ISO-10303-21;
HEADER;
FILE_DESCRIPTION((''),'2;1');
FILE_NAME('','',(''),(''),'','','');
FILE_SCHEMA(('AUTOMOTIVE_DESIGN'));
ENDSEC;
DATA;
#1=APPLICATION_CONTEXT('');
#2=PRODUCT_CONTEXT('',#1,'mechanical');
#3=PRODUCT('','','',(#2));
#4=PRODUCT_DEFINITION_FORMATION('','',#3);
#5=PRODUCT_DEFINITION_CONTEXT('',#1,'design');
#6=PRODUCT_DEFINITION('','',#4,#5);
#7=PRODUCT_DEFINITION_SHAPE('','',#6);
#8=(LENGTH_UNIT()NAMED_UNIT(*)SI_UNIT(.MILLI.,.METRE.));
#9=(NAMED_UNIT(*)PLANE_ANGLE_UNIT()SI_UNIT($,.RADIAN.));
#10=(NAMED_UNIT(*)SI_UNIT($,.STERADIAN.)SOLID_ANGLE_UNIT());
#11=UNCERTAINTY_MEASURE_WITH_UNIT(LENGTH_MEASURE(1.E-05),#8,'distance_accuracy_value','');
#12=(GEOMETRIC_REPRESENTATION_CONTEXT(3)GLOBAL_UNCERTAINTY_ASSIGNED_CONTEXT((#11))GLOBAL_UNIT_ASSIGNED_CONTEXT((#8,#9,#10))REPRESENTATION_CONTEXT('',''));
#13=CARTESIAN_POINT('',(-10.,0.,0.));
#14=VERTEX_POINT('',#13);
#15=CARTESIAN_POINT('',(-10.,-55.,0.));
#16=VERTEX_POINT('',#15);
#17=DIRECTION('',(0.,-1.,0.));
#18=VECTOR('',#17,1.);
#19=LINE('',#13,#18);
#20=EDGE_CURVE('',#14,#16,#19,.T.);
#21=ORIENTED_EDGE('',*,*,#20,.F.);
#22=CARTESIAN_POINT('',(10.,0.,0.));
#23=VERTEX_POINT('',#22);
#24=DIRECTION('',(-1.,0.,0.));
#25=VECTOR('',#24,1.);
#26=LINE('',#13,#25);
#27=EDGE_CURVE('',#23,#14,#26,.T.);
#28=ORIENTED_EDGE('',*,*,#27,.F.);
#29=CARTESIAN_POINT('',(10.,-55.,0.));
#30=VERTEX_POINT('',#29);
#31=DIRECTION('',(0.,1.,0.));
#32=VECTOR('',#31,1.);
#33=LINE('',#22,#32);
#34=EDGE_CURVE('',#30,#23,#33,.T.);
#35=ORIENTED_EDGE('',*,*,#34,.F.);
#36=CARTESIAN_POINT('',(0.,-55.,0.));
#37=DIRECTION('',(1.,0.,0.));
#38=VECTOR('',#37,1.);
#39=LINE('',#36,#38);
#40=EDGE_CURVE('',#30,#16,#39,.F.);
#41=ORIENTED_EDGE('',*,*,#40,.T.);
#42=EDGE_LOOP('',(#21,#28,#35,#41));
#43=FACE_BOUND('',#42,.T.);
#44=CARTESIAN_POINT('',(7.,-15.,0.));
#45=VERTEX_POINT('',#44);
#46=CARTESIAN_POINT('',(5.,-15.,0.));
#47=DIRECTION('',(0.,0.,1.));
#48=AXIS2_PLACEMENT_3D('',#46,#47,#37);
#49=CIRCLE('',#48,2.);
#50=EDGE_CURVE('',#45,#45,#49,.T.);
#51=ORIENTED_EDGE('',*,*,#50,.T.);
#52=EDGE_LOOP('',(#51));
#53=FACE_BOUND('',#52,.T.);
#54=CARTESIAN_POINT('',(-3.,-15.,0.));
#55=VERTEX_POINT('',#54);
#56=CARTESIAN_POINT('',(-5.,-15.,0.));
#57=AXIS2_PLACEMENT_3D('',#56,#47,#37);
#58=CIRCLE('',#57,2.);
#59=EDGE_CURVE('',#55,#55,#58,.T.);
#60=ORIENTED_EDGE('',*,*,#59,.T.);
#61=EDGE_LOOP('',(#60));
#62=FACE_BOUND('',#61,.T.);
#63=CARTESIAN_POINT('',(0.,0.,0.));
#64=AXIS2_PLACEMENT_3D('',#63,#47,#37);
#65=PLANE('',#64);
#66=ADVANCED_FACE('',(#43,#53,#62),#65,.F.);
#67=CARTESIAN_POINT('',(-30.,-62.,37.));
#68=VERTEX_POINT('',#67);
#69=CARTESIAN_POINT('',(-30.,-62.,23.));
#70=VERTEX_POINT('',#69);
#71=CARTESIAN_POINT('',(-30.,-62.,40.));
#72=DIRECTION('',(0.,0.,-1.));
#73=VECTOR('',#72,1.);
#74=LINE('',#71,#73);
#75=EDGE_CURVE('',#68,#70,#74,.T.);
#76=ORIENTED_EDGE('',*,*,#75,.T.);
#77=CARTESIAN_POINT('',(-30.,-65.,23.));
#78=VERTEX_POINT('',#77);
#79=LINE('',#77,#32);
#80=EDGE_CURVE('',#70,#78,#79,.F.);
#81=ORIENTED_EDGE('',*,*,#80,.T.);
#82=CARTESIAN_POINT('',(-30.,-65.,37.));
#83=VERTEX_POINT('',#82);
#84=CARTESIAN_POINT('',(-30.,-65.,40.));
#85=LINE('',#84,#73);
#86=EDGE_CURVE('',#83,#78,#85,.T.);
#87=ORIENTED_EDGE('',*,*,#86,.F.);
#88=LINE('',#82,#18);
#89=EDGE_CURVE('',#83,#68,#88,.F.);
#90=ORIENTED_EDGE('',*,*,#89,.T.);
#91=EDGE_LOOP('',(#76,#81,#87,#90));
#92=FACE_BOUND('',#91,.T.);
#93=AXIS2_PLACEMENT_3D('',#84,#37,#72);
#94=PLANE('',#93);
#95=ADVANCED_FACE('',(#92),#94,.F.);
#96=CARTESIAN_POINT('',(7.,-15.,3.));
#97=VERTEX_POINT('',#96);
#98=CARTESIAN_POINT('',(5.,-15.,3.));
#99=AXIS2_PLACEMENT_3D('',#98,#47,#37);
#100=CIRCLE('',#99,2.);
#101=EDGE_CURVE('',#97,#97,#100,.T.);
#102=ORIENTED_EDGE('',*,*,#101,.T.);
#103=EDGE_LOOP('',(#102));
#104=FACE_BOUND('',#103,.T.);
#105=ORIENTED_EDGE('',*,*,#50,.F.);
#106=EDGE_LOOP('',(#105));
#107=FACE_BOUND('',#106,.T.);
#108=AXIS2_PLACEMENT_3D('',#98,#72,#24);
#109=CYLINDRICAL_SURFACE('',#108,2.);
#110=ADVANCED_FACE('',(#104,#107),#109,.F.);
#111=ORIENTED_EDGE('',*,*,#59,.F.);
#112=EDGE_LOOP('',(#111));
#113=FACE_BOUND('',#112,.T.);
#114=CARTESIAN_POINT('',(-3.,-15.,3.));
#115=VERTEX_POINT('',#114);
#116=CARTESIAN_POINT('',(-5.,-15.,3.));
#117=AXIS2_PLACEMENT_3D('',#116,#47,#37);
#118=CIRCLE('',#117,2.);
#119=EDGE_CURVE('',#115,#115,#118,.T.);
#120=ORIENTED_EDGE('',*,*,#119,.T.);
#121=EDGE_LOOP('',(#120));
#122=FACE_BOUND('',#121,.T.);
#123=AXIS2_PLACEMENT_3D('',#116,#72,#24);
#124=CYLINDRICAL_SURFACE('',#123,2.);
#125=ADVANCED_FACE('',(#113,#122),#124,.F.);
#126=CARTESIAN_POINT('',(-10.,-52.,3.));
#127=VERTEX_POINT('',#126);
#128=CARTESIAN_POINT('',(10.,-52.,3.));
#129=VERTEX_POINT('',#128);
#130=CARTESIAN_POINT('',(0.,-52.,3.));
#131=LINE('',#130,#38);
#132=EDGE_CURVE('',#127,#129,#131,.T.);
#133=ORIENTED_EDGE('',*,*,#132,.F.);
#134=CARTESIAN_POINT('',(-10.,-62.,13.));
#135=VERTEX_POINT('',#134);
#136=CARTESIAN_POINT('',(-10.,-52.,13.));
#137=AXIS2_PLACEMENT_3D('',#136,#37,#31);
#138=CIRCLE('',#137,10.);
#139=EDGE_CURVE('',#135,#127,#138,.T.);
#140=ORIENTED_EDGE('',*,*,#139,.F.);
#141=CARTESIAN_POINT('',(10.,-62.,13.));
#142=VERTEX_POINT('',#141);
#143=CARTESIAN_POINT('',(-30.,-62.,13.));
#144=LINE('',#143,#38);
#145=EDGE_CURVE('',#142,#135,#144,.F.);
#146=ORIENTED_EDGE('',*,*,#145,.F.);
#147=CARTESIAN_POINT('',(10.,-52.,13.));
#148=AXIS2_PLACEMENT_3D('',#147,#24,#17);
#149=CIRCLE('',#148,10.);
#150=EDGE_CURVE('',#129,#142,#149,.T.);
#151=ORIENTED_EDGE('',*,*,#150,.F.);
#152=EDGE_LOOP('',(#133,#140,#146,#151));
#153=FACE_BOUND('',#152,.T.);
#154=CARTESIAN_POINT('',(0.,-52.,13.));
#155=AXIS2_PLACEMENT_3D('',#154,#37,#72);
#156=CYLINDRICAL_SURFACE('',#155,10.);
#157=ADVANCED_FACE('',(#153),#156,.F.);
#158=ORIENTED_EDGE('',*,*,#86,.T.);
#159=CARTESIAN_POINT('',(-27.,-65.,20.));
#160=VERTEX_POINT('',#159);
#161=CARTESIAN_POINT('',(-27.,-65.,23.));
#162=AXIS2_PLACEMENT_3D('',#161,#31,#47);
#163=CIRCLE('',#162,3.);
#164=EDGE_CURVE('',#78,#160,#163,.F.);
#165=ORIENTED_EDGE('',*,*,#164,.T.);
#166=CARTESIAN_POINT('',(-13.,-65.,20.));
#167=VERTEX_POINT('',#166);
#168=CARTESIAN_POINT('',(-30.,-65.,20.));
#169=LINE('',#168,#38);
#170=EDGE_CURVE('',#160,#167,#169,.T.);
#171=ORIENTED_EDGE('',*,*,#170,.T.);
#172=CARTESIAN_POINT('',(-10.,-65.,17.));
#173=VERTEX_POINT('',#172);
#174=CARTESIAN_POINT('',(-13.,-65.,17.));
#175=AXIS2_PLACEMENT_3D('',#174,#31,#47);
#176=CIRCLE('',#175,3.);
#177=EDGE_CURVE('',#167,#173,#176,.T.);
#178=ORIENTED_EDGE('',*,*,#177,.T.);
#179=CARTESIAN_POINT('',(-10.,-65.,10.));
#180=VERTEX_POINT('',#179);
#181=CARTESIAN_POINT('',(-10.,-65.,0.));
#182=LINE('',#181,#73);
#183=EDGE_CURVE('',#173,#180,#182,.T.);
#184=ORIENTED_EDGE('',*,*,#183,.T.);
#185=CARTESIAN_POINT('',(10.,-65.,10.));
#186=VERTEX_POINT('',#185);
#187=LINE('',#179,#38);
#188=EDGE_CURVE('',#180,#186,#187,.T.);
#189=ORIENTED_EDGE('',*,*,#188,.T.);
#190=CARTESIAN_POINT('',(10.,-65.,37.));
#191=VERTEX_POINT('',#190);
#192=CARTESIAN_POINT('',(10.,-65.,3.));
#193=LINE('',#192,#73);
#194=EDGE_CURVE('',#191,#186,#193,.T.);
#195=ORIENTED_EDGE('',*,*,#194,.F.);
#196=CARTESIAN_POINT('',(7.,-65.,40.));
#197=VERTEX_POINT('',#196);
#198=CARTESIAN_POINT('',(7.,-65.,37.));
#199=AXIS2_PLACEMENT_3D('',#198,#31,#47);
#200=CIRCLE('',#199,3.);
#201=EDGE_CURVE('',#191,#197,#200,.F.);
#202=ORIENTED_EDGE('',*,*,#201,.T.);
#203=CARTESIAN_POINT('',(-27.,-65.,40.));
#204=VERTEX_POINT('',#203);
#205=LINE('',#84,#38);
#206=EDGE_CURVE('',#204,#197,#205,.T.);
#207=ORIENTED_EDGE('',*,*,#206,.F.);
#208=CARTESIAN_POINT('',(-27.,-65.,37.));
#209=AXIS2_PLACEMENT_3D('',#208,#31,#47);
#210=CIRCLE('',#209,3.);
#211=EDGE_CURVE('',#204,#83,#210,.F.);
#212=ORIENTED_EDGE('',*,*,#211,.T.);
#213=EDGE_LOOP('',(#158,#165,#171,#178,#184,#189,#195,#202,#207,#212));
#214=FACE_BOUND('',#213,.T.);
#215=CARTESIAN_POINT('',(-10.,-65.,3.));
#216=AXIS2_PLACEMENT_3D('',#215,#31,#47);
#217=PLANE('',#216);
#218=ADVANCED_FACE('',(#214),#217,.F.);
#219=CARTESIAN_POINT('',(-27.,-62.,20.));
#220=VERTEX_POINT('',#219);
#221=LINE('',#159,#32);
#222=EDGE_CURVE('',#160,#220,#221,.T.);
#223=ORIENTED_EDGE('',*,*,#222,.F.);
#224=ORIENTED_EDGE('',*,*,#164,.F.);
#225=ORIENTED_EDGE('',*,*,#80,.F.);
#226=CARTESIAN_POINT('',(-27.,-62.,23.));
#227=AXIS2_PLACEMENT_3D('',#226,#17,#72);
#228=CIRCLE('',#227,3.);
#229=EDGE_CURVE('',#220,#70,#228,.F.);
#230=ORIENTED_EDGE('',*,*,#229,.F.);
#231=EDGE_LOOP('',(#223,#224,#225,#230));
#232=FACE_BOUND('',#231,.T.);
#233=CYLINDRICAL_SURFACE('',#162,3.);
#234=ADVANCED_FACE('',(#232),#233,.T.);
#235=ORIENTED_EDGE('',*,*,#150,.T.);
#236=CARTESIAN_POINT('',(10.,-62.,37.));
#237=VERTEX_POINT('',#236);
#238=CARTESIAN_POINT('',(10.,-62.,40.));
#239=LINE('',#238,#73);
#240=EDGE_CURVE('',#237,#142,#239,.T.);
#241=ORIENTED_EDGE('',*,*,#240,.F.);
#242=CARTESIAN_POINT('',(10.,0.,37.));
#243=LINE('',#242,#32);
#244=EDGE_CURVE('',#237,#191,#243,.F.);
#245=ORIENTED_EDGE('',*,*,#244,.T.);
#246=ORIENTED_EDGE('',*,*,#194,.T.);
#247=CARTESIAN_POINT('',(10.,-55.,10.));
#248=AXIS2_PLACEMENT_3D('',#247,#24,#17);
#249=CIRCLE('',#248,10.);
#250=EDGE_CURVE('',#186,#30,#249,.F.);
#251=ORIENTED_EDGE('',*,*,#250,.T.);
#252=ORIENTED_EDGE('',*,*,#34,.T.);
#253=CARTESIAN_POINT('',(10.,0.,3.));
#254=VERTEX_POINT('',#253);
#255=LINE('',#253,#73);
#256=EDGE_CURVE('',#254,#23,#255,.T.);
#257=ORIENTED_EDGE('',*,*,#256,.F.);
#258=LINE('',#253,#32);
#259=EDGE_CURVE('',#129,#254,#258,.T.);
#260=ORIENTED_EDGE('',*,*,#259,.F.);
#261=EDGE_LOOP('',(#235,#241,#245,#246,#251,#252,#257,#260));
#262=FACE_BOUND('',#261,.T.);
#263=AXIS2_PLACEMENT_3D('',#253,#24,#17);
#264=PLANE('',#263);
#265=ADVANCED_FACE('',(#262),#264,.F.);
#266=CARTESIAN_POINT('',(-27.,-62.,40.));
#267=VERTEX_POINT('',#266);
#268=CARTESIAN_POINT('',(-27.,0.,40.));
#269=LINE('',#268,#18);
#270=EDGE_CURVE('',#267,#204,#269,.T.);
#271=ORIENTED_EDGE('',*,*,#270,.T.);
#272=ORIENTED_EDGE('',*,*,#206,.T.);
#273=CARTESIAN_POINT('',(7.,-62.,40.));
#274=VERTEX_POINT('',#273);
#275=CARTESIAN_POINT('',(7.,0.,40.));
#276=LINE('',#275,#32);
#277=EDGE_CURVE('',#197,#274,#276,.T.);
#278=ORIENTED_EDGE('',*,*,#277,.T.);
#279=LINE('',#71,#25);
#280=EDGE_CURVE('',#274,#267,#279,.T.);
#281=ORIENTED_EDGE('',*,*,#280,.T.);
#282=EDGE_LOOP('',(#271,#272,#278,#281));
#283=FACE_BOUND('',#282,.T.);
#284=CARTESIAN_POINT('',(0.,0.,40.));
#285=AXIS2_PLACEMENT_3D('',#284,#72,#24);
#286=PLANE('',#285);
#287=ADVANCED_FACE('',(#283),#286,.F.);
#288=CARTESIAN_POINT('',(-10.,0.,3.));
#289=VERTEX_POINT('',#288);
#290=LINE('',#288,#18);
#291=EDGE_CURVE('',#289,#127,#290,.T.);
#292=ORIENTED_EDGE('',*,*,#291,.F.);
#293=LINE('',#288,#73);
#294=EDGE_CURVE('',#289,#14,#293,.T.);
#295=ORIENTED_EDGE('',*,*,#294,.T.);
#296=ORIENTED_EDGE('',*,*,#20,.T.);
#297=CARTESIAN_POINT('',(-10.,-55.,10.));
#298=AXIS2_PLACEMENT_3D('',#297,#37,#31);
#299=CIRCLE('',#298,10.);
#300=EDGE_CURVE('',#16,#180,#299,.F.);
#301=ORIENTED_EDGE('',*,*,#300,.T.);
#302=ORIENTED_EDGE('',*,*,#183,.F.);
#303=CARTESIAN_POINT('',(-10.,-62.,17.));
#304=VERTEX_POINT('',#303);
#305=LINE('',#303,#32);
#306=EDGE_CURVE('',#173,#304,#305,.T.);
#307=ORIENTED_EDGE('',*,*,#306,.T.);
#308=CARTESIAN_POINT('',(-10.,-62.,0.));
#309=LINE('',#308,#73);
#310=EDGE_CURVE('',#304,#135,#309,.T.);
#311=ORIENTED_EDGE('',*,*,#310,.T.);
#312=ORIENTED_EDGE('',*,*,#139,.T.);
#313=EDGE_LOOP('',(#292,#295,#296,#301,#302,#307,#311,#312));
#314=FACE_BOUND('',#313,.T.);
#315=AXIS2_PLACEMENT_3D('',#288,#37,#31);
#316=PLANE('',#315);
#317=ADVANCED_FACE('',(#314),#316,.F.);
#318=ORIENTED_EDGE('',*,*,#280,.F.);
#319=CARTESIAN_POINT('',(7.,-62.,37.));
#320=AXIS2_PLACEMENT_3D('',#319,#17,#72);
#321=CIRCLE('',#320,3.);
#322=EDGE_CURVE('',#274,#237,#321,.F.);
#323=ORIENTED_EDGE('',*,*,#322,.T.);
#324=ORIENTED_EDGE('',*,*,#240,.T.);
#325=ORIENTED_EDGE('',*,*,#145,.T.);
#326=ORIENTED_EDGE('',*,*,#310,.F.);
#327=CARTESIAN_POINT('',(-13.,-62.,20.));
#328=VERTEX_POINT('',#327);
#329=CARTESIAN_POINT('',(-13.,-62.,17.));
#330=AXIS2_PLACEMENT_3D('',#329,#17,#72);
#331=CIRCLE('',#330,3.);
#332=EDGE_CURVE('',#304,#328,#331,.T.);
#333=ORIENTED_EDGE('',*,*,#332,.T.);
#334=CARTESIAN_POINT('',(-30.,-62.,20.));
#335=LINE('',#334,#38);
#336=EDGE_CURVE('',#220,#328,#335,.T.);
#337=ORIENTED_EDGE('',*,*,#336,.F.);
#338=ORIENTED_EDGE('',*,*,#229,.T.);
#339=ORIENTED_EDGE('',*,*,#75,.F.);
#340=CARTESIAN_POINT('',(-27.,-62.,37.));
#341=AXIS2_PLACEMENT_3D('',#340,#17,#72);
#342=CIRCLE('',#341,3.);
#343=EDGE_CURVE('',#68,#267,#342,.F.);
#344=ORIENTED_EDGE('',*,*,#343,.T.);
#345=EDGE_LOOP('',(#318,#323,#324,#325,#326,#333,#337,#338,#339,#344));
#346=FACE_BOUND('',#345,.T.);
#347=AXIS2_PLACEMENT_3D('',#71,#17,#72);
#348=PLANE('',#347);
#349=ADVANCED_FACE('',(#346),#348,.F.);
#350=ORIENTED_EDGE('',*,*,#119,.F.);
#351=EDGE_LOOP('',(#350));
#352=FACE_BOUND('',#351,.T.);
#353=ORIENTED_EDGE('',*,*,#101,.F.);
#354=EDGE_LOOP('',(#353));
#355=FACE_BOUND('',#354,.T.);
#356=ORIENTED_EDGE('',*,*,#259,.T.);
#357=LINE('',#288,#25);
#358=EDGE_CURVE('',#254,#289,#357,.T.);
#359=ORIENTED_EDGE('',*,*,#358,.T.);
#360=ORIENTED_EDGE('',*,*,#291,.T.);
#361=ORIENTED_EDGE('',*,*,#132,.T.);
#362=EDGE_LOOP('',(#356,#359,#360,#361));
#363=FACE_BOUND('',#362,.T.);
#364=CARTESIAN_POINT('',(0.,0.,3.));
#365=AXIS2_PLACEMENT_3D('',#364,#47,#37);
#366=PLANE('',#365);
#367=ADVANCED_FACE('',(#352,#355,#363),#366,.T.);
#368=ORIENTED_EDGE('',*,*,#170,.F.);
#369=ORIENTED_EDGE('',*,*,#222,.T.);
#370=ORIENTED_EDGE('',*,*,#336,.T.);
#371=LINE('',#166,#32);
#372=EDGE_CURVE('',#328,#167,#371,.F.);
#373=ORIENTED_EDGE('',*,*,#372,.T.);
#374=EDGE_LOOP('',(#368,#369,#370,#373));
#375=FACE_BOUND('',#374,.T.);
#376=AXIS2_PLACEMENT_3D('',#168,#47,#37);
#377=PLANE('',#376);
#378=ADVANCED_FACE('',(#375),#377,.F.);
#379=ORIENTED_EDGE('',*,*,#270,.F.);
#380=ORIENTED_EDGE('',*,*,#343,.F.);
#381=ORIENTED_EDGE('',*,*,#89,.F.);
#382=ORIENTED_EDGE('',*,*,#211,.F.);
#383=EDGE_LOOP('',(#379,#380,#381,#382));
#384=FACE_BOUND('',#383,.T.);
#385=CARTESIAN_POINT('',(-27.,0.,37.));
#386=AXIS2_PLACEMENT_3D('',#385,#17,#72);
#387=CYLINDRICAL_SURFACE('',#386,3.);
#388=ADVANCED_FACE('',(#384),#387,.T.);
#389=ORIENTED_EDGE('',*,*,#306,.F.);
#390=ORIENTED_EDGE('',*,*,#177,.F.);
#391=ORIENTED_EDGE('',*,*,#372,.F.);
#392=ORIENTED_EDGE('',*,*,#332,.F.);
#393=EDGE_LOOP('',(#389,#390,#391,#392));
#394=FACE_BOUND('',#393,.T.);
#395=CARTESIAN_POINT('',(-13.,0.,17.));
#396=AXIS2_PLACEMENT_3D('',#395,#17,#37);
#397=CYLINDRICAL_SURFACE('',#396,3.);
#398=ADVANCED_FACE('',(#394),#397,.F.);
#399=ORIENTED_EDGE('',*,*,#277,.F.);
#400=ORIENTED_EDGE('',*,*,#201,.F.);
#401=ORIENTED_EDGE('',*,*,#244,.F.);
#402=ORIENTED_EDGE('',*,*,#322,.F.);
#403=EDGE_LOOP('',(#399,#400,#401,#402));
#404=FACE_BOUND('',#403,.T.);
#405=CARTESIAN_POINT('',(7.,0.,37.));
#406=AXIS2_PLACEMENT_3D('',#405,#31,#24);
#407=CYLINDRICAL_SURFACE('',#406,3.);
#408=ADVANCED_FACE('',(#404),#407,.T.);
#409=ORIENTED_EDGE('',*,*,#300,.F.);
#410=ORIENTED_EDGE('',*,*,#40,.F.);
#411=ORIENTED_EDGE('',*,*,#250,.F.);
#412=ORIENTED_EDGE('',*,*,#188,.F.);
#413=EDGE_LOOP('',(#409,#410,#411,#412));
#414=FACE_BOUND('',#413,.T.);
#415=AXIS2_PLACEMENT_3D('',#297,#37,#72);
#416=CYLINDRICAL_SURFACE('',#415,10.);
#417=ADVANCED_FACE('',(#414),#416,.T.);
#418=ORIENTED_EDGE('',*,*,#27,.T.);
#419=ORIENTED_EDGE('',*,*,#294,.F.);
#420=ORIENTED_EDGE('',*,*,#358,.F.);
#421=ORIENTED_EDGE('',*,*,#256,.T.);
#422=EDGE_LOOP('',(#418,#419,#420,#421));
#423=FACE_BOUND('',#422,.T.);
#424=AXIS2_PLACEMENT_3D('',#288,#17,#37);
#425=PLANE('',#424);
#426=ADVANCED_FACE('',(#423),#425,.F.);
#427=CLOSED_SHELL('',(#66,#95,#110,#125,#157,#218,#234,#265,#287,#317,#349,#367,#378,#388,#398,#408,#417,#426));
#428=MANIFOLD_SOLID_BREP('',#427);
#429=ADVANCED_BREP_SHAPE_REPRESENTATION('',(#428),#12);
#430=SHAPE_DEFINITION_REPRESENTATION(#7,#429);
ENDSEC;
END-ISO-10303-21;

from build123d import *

# Parameters (mm, degrees)
SKETCH_1_W          = 20
SKETCH_1_H          = 65
SKETCH_1_R          = 2
EXTRUDE_1_DEPTH     = 3
SKETCH_2_W          = 40
SKETCH_2_H          = 3
EXTRUDE_2_DEPTH     = 40
SKETCH_3_W          = 20
SKETCH_3_H          = 20
CUT_EXTRUDE_1_DEPTH = 3
FILLET_1_R          = 10
FILLET_2_R          = 3


with BuildPart() as part:
    # 草图1 → 凸台-拉伸1 (new body)
    with BuildSketch(Plane.XY):
        with Locations((0, -32.5)):
            Rectangle(SKETCH_1_W, SKETCH_1_H)
        with Locations((-5, -15)):
            Circle(SKETCH_1_R, mode=Mode.SUBTRACT)
        with Locations((5, -15)):
            Circle(SKETCH_1_R, mode=Mode.SUBTRACT)
    extrude(amount=EXTRUDE_1_DEPTH)

    # 草图2 → 凸台-拉伸2 (add)
    with BuildSketch(Plane.XY):
        with Locations((-10, -63.5)):
            Rectangle(SKETCH_2_W, SKETCH_2_H)
    extrude(amount=EXTRUDE_2_DEPTH)

    # 草图3 → 切除-拉伸1 (cut)
    with BuildSketch(Plane(origin=(0, -62, 0), x_dir=(1, 0, 0), z_dir=(0, 1, 0))):
        with Locations((-20, -10)):
            Rectangle(SKETCH_3_W, SKETCH_3_H)
    extrude(amount=-CUT_EXTRUDE_1_DEPTH, mode=Mode.SUBTRACT)

    # 圆角1
    fillet_1_edges = [part.edges().sort_by_distance(p)[0] for p in [
        (0, -62, 3),
        (0, -65, 0),
    ]]
    fillet(fillet_1_edges, radius=FILLET_1_R)

    # 圆角2
    fillet_2_edges = [part.edges().sort_by_distance(p)[0] for p in [
        (-30, -63.5, 40),
        (10, -63.5, 40),
        (-30, -63.5, 20),
        (-10, -63.5, 20),
    ]]
    fillet(fillet_2_edges, radius=FILLET_2_R)


solid = part.part
